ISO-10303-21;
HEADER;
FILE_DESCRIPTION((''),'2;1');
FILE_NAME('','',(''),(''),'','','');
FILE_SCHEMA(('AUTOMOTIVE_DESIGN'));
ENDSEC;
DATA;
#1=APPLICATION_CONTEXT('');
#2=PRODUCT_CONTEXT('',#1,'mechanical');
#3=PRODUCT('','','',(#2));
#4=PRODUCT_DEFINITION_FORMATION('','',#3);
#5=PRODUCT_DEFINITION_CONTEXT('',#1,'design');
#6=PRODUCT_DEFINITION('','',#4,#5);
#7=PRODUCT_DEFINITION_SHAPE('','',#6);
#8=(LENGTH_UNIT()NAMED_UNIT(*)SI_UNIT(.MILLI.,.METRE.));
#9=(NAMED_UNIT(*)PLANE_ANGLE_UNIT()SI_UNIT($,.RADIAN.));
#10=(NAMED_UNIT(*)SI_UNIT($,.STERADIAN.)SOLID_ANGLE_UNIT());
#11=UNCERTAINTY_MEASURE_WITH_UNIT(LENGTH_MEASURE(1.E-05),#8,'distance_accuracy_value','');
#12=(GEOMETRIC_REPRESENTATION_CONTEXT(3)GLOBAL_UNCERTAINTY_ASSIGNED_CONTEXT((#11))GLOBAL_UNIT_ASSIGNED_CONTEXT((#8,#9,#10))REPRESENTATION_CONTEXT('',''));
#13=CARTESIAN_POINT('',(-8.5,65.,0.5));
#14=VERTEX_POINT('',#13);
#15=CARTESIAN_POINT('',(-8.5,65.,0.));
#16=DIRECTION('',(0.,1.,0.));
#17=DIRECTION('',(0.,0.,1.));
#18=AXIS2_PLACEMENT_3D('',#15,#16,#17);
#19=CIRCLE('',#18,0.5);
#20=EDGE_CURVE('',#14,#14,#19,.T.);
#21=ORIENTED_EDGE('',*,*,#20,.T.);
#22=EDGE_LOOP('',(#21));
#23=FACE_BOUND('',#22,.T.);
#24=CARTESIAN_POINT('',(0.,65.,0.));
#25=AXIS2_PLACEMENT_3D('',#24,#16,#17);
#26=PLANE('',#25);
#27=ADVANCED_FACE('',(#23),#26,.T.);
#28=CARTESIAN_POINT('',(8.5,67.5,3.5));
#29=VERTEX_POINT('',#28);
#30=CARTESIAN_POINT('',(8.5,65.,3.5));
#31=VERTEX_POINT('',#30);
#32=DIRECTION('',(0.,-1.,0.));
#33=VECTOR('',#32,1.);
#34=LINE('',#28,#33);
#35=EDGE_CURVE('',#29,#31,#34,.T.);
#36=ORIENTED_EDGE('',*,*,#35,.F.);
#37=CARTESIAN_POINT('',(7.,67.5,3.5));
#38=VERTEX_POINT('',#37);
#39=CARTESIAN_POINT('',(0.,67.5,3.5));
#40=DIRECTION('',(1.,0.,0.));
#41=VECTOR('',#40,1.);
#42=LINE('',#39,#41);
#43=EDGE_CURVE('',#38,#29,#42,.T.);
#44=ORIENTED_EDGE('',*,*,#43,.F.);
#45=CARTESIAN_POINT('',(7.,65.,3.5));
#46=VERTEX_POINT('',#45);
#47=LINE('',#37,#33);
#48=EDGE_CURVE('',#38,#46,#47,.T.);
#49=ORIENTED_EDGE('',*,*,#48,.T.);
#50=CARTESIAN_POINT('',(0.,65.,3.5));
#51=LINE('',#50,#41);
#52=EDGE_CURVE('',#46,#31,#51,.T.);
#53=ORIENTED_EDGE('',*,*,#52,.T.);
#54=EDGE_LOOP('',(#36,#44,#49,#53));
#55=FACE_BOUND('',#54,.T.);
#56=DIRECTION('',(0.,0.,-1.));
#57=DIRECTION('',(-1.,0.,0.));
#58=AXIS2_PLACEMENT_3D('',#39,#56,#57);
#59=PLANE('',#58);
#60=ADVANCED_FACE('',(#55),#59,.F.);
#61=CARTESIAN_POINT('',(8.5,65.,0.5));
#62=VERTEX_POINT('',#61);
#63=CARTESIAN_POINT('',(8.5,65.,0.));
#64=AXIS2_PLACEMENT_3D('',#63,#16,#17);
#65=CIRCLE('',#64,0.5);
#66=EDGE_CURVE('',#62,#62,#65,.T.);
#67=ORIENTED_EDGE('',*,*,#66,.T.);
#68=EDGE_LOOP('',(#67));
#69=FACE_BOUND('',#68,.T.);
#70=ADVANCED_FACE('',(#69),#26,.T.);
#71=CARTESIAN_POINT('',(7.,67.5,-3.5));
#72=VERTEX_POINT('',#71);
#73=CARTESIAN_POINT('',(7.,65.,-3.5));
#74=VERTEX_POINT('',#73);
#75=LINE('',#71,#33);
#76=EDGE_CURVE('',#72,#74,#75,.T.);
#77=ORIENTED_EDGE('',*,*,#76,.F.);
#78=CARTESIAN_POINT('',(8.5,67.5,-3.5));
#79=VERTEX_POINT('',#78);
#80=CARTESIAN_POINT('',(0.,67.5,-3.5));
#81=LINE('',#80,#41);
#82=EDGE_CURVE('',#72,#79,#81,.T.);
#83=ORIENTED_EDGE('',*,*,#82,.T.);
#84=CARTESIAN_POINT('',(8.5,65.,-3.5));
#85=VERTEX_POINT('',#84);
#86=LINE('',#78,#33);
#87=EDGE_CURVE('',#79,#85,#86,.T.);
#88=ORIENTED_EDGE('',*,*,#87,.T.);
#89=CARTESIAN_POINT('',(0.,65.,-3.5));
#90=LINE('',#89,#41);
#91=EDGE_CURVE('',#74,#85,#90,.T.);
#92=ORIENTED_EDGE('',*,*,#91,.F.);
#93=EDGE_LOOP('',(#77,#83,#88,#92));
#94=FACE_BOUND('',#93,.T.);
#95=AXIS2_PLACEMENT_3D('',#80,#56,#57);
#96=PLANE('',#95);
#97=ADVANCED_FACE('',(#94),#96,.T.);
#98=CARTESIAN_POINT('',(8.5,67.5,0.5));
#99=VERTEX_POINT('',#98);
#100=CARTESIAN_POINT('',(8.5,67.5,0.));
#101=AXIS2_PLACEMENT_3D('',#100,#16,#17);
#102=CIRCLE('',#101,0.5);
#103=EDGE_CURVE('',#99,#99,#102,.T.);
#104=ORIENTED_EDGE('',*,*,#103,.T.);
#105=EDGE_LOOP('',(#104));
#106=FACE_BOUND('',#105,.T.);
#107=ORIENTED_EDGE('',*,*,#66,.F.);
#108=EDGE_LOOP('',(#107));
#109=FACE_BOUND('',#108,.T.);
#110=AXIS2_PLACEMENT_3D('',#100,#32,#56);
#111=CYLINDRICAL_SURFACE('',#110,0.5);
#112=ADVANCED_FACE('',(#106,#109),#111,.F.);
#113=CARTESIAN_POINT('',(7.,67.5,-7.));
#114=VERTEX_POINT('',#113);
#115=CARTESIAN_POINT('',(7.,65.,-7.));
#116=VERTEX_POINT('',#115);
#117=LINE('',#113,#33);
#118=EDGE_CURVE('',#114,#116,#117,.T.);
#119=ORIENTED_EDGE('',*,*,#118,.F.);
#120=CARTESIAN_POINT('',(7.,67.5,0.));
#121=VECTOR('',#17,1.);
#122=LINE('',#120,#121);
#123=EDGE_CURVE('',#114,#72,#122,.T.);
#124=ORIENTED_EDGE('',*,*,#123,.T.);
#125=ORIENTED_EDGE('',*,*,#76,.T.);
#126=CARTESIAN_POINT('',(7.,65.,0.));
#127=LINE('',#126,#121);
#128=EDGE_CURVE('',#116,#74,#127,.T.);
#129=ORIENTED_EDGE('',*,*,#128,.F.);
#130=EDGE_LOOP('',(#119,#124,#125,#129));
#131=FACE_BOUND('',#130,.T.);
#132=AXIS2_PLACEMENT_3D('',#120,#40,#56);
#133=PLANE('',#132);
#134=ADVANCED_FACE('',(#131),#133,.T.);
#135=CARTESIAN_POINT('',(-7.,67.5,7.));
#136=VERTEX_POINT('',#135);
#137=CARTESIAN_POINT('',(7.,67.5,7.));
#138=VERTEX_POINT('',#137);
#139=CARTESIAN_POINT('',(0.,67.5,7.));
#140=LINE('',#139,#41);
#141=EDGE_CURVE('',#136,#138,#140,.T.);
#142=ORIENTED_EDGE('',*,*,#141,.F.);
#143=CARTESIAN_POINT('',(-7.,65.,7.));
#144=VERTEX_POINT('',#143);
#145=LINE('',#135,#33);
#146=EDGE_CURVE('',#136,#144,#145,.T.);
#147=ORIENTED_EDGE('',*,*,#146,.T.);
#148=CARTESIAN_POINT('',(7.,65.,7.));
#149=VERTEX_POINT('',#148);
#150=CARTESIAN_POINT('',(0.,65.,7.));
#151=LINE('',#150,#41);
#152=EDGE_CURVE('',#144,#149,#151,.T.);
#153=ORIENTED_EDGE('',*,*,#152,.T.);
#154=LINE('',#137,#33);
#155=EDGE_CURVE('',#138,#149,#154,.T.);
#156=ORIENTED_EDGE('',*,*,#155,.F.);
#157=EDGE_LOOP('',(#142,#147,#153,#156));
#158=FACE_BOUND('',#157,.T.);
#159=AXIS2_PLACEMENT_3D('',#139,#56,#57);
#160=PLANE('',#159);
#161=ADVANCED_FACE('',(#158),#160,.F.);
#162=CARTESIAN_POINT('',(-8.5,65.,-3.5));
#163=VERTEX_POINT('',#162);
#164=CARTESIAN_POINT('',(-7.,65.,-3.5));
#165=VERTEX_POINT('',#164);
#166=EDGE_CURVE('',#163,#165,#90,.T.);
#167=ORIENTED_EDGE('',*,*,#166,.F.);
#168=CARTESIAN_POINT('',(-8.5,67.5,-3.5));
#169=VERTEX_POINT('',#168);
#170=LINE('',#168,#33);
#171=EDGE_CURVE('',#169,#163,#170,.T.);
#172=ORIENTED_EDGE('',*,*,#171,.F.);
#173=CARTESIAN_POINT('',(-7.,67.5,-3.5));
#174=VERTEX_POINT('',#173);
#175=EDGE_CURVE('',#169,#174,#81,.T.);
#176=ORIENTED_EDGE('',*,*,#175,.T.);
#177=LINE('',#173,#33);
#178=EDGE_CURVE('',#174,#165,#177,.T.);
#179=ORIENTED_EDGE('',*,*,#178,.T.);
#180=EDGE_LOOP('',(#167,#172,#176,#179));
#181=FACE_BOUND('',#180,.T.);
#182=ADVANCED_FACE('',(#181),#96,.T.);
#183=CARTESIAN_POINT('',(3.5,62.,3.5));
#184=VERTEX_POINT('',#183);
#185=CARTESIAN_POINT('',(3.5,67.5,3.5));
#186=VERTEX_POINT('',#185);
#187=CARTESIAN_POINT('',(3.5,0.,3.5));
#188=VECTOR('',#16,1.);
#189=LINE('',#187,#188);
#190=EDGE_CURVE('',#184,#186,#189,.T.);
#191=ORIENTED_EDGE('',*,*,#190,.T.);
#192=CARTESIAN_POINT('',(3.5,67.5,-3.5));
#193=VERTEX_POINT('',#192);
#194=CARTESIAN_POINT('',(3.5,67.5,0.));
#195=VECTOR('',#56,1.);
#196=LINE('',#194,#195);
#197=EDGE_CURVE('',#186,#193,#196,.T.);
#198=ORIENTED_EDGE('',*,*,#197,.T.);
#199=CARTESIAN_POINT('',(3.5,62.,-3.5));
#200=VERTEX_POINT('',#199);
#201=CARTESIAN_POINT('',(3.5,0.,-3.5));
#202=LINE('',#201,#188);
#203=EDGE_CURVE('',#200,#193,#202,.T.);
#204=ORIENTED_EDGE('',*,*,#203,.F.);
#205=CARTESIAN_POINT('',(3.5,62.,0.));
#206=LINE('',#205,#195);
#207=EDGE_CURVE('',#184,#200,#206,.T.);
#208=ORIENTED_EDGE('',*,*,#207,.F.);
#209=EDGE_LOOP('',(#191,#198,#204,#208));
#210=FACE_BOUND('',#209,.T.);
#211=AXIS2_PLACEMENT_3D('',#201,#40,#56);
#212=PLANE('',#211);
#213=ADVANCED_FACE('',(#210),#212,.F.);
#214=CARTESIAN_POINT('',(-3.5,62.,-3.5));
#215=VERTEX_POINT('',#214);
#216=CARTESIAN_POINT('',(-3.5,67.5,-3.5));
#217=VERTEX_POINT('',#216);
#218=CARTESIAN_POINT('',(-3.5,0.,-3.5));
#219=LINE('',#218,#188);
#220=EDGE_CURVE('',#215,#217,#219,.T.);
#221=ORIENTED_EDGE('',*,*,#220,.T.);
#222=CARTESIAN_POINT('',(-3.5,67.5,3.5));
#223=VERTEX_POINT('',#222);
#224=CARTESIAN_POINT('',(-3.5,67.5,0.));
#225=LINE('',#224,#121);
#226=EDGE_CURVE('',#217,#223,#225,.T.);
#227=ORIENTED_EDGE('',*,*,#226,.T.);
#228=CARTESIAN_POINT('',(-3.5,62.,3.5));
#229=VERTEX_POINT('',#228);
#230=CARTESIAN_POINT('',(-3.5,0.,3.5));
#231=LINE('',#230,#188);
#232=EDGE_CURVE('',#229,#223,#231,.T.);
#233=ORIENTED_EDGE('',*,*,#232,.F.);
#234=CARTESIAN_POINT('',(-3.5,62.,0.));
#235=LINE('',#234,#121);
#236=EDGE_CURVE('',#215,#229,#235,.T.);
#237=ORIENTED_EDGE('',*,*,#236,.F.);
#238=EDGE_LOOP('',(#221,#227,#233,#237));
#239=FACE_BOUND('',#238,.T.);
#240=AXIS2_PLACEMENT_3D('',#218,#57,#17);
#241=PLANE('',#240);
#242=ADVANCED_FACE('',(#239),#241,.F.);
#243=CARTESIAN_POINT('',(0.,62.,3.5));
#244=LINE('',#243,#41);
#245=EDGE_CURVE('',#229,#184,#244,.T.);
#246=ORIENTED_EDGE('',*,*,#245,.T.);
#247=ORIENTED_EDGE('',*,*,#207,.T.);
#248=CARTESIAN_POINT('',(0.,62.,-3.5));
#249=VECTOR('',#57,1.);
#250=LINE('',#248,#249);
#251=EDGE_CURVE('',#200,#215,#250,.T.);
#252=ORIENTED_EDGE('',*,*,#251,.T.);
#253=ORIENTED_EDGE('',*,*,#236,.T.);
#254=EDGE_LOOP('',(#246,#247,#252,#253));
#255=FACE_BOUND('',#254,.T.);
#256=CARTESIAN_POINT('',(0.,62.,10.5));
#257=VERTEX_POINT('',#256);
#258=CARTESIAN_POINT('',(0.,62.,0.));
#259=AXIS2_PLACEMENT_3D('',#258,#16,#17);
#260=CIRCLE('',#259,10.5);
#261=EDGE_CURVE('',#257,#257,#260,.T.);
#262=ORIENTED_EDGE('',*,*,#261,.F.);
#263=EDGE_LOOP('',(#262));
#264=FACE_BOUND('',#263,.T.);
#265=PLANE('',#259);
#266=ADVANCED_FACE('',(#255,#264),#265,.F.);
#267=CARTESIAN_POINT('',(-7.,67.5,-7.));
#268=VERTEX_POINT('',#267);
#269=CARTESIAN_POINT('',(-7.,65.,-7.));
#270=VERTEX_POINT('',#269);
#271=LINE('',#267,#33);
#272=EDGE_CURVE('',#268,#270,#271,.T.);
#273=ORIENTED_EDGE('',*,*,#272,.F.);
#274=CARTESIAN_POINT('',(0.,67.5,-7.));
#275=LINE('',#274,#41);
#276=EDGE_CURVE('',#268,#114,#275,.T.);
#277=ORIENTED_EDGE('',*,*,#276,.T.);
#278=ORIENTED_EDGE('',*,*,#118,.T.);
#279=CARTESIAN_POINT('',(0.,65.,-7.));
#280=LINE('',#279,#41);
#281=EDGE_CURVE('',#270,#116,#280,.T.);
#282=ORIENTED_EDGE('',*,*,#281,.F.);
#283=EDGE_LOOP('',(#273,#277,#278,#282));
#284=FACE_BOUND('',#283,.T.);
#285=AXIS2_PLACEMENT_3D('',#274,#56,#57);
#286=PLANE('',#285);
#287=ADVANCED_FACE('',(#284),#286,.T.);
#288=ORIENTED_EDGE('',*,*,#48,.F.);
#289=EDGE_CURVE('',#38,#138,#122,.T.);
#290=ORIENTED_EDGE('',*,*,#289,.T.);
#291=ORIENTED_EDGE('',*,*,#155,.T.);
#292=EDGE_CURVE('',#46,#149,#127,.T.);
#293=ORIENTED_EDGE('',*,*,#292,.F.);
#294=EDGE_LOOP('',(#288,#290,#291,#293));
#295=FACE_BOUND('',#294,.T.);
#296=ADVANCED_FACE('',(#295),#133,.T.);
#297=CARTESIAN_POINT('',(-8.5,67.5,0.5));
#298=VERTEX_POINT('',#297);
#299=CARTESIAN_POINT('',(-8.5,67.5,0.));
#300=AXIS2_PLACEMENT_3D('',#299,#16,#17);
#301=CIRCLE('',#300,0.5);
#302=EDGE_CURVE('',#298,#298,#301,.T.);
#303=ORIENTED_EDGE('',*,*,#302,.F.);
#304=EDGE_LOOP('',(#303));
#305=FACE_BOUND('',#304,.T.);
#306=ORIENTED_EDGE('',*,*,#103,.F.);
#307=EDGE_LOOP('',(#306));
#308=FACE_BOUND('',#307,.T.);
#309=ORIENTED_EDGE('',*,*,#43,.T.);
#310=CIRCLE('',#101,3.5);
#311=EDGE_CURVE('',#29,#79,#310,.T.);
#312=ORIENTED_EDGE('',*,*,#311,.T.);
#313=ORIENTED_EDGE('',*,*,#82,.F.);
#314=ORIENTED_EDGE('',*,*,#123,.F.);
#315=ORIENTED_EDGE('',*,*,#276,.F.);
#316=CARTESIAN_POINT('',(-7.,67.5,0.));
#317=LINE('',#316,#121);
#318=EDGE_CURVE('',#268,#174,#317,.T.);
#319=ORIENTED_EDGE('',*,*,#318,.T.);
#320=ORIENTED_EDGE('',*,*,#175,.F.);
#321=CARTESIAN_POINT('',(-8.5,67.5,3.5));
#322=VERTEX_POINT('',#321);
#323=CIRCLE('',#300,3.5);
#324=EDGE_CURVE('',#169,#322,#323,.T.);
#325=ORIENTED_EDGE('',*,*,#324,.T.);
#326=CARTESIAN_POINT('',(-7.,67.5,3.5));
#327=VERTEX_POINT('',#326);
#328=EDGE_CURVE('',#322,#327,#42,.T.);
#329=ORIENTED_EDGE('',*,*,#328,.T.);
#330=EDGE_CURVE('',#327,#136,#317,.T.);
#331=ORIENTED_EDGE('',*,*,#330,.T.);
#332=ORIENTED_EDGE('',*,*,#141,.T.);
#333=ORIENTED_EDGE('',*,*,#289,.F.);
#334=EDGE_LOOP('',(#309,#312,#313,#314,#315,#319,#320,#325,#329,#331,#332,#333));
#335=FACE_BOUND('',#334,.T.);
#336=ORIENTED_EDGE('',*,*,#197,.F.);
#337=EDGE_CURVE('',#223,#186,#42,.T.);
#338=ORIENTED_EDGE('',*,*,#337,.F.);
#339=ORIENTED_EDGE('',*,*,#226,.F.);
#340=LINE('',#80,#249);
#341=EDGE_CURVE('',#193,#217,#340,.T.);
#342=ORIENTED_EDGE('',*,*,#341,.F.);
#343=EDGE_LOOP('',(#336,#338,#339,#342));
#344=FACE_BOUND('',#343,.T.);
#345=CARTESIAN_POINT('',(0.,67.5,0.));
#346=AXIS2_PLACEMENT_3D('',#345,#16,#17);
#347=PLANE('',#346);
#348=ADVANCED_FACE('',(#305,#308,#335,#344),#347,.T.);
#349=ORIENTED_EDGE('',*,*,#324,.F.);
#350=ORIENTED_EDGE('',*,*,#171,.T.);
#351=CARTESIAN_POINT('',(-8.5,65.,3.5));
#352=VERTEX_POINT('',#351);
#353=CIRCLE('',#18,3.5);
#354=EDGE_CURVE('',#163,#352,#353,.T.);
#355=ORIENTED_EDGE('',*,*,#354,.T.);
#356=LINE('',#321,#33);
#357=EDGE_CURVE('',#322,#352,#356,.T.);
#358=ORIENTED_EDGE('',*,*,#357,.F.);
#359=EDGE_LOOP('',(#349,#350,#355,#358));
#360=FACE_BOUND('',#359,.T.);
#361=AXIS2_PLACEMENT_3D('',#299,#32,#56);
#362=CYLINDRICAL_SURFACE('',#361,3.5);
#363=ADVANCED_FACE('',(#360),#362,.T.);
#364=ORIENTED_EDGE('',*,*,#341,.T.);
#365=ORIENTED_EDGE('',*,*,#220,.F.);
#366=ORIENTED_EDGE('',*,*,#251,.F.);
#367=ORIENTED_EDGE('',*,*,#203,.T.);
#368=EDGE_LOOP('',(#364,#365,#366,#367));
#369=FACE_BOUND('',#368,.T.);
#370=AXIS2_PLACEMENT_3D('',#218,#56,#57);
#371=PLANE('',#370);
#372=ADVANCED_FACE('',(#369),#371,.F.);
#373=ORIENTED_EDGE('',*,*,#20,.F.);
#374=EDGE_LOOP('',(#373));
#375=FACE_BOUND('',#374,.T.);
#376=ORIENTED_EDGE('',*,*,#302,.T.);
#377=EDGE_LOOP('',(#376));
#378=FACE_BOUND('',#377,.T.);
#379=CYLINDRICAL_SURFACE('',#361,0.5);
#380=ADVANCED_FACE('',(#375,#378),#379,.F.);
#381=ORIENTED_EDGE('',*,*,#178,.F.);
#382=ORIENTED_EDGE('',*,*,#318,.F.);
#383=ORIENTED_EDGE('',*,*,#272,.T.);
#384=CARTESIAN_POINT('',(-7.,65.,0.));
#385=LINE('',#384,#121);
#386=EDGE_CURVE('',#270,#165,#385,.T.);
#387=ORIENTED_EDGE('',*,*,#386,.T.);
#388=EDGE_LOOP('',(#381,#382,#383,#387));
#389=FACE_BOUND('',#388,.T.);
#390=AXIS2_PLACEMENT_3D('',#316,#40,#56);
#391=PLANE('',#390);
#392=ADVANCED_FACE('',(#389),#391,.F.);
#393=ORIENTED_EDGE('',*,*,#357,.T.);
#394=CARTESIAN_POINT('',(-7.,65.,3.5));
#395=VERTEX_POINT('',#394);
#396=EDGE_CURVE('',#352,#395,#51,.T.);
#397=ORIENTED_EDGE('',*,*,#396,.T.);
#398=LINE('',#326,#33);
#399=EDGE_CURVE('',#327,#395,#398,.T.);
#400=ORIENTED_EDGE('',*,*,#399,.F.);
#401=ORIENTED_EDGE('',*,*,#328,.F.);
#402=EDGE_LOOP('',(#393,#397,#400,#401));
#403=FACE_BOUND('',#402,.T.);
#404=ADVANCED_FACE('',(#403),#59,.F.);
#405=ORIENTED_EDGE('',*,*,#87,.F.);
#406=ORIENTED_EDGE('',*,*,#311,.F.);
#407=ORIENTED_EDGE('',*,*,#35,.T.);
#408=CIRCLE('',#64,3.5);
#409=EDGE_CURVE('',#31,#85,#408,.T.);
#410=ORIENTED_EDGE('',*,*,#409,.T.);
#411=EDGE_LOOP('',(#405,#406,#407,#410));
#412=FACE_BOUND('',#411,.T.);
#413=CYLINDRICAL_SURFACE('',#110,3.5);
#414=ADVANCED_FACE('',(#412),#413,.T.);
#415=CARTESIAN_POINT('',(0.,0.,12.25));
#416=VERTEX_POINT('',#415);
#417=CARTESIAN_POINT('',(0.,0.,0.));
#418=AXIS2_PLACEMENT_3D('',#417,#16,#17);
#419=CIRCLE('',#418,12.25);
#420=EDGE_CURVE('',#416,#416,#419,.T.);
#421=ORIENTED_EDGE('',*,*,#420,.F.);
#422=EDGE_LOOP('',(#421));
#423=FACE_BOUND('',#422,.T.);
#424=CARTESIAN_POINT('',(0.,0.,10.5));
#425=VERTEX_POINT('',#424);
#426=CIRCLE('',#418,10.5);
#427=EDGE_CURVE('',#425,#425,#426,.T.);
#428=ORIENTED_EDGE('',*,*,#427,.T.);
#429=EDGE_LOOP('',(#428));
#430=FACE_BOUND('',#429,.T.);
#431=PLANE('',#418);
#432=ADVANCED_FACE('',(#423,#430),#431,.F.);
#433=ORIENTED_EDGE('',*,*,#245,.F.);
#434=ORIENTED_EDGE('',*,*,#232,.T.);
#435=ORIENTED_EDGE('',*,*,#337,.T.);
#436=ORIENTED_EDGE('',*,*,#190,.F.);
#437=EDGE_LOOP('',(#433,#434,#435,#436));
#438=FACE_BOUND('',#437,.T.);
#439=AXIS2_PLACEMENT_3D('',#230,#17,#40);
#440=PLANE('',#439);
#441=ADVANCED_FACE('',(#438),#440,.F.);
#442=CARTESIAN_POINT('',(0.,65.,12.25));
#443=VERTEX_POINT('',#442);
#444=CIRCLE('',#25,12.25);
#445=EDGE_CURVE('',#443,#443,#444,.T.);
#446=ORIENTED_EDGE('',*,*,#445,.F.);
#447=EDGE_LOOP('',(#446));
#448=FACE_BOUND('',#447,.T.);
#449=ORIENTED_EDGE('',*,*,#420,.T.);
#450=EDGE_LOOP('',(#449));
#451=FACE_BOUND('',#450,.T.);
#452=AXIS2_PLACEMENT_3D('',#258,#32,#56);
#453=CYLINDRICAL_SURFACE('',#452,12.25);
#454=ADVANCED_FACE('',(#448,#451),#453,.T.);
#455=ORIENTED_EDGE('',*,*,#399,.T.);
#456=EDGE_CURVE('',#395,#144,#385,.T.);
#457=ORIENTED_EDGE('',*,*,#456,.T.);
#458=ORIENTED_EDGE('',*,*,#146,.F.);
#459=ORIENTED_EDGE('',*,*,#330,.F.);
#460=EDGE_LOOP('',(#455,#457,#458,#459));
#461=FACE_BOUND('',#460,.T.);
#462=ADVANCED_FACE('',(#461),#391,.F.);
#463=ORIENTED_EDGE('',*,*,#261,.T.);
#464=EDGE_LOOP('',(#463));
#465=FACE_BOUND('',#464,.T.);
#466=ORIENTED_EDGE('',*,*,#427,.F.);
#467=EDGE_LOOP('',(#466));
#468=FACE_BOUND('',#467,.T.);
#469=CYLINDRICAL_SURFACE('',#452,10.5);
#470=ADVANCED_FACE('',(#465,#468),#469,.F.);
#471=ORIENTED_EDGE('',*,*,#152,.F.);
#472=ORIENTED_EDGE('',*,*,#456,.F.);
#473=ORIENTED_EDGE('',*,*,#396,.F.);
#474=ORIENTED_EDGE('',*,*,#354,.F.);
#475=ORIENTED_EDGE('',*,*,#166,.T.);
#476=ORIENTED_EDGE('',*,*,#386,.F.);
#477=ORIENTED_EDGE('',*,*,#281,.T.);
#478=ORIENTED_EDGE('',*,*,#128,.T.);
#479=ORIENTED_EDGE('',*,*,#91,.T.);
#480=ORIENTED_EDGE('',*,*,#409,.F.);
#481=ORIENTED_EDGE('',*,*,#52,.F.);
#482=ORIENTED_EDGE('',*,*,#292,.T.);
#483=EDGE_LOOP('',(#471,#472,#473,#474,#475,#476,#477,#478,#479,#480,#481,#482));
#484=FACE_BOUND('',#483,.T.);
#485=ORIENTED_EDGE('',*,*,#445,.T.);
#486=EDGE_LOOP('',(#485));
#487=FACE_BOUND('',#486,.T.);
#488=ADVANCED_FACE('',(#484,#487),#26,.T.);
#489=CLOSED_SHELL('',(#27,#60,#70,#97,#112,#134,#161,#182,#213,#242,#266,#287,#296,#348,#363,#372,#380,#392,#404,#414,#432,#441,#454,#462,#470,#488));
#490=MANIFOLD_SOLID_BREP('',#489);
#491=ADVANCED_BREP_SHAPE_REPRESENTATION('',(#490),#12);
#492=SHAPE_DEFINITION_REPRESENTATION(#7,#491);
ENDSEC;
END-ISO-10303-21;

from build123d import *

# Parameters (mm, degrees)
SKETCH1_R               = 12.25
SKETCH1_R_2             = 10.5
BOSS_EXTRUDE1_DEPTH     = 62
SKETCH2_R               = 12.25
BOSS_EXTRUDE2_DEPTH     = 3
SKETCH8_W               = 14
SKETCH8_H               = 14
SKETCH8_R               = 0.5
BOSS_EXTRUDE5_DEPTH     = 2.5
SKETCH9_W               = 7
SKETCH9_H               = 7
CUT_EXTRUDE3_DEPTH      = 1
CUT_EXTRUDE3_DEPTH_BACK = 68.5


with BuildPart() as part:
    # Sketch1 → Boss-Extrude1 (new body)
    with BuildSketch(Plane(origin=(0, 0, 0), x_dir=(1, 0, 0), z_dir=(0, 1, 0))):
        Circle(SKETCH1_R)
        Circle(SKETCH1_R_2, mode=Mode.SUBTRACT)
    extrude(amount=BOSS_EXTRUDE1_DEPTH)

    # Sketch2 → Boss-Extrude2 (add)
    with BuildSketch(Plane(origin=(0, 62, 0), x_dir=(1, 0, 0), z_dir=(0, 1, 0))):
        Circle(SKETCH2_R)
    extrude(amount=BOSS_EXTRUDE2_DEPTH)

    # Sketch8 → Boss-Extrude5 (add)
    with BuildSketch(Plane(origin=(0, 65, 0), x_dir=(1, 0, 0), z_dir=(0, 1, 0))):
        Rectangle(SKETCH8_W, SKETCH8_H)
        with BuildLine():
            Line((-8.5, 3.5), (8.5, 3.5))
            ThreePointArc((8.5, 3.5), (12, 0), (8.5, -3.5))
            Line((8.5, -3.5), (-8.5, -3.5))
            ThreePointArc((-8.5, -3.5), (-12, 0), (-8.5, 3.5))
        make_face()
        with Locations((8.5, 0)):
            Circle(SKETCH8_R, mode=Mode.SUBTRACT)
        with Locations((-8.5, 0)):
            Circle(SKETCH8_R, mode=Mode.SUBTRACT)
    extrude(amount=BOSS_EXTRUDE5_DEPTH)

    # Sketch9 → Cut-Extrude3 (cut, two sides)
    with BuildSketch(Plane(origin=(0, 67.5, 0), x_dir=(1, 0, 0), z_dir=(0, 1, 0))) as cut_extrude3_sk:
        Rectangle(SKETCH9_W, SKETCH9_H)
    extrude(amount=CUT_EXTRUDE3_DEPTH, mode=Mode.SUBTRACT)
    extrude(cut_extrude3_sk.sketch, amount=-CUT_EXTRUDE3_DEPTH_BACK, mode=Mode.SUBTRACT)


solid = part.part
